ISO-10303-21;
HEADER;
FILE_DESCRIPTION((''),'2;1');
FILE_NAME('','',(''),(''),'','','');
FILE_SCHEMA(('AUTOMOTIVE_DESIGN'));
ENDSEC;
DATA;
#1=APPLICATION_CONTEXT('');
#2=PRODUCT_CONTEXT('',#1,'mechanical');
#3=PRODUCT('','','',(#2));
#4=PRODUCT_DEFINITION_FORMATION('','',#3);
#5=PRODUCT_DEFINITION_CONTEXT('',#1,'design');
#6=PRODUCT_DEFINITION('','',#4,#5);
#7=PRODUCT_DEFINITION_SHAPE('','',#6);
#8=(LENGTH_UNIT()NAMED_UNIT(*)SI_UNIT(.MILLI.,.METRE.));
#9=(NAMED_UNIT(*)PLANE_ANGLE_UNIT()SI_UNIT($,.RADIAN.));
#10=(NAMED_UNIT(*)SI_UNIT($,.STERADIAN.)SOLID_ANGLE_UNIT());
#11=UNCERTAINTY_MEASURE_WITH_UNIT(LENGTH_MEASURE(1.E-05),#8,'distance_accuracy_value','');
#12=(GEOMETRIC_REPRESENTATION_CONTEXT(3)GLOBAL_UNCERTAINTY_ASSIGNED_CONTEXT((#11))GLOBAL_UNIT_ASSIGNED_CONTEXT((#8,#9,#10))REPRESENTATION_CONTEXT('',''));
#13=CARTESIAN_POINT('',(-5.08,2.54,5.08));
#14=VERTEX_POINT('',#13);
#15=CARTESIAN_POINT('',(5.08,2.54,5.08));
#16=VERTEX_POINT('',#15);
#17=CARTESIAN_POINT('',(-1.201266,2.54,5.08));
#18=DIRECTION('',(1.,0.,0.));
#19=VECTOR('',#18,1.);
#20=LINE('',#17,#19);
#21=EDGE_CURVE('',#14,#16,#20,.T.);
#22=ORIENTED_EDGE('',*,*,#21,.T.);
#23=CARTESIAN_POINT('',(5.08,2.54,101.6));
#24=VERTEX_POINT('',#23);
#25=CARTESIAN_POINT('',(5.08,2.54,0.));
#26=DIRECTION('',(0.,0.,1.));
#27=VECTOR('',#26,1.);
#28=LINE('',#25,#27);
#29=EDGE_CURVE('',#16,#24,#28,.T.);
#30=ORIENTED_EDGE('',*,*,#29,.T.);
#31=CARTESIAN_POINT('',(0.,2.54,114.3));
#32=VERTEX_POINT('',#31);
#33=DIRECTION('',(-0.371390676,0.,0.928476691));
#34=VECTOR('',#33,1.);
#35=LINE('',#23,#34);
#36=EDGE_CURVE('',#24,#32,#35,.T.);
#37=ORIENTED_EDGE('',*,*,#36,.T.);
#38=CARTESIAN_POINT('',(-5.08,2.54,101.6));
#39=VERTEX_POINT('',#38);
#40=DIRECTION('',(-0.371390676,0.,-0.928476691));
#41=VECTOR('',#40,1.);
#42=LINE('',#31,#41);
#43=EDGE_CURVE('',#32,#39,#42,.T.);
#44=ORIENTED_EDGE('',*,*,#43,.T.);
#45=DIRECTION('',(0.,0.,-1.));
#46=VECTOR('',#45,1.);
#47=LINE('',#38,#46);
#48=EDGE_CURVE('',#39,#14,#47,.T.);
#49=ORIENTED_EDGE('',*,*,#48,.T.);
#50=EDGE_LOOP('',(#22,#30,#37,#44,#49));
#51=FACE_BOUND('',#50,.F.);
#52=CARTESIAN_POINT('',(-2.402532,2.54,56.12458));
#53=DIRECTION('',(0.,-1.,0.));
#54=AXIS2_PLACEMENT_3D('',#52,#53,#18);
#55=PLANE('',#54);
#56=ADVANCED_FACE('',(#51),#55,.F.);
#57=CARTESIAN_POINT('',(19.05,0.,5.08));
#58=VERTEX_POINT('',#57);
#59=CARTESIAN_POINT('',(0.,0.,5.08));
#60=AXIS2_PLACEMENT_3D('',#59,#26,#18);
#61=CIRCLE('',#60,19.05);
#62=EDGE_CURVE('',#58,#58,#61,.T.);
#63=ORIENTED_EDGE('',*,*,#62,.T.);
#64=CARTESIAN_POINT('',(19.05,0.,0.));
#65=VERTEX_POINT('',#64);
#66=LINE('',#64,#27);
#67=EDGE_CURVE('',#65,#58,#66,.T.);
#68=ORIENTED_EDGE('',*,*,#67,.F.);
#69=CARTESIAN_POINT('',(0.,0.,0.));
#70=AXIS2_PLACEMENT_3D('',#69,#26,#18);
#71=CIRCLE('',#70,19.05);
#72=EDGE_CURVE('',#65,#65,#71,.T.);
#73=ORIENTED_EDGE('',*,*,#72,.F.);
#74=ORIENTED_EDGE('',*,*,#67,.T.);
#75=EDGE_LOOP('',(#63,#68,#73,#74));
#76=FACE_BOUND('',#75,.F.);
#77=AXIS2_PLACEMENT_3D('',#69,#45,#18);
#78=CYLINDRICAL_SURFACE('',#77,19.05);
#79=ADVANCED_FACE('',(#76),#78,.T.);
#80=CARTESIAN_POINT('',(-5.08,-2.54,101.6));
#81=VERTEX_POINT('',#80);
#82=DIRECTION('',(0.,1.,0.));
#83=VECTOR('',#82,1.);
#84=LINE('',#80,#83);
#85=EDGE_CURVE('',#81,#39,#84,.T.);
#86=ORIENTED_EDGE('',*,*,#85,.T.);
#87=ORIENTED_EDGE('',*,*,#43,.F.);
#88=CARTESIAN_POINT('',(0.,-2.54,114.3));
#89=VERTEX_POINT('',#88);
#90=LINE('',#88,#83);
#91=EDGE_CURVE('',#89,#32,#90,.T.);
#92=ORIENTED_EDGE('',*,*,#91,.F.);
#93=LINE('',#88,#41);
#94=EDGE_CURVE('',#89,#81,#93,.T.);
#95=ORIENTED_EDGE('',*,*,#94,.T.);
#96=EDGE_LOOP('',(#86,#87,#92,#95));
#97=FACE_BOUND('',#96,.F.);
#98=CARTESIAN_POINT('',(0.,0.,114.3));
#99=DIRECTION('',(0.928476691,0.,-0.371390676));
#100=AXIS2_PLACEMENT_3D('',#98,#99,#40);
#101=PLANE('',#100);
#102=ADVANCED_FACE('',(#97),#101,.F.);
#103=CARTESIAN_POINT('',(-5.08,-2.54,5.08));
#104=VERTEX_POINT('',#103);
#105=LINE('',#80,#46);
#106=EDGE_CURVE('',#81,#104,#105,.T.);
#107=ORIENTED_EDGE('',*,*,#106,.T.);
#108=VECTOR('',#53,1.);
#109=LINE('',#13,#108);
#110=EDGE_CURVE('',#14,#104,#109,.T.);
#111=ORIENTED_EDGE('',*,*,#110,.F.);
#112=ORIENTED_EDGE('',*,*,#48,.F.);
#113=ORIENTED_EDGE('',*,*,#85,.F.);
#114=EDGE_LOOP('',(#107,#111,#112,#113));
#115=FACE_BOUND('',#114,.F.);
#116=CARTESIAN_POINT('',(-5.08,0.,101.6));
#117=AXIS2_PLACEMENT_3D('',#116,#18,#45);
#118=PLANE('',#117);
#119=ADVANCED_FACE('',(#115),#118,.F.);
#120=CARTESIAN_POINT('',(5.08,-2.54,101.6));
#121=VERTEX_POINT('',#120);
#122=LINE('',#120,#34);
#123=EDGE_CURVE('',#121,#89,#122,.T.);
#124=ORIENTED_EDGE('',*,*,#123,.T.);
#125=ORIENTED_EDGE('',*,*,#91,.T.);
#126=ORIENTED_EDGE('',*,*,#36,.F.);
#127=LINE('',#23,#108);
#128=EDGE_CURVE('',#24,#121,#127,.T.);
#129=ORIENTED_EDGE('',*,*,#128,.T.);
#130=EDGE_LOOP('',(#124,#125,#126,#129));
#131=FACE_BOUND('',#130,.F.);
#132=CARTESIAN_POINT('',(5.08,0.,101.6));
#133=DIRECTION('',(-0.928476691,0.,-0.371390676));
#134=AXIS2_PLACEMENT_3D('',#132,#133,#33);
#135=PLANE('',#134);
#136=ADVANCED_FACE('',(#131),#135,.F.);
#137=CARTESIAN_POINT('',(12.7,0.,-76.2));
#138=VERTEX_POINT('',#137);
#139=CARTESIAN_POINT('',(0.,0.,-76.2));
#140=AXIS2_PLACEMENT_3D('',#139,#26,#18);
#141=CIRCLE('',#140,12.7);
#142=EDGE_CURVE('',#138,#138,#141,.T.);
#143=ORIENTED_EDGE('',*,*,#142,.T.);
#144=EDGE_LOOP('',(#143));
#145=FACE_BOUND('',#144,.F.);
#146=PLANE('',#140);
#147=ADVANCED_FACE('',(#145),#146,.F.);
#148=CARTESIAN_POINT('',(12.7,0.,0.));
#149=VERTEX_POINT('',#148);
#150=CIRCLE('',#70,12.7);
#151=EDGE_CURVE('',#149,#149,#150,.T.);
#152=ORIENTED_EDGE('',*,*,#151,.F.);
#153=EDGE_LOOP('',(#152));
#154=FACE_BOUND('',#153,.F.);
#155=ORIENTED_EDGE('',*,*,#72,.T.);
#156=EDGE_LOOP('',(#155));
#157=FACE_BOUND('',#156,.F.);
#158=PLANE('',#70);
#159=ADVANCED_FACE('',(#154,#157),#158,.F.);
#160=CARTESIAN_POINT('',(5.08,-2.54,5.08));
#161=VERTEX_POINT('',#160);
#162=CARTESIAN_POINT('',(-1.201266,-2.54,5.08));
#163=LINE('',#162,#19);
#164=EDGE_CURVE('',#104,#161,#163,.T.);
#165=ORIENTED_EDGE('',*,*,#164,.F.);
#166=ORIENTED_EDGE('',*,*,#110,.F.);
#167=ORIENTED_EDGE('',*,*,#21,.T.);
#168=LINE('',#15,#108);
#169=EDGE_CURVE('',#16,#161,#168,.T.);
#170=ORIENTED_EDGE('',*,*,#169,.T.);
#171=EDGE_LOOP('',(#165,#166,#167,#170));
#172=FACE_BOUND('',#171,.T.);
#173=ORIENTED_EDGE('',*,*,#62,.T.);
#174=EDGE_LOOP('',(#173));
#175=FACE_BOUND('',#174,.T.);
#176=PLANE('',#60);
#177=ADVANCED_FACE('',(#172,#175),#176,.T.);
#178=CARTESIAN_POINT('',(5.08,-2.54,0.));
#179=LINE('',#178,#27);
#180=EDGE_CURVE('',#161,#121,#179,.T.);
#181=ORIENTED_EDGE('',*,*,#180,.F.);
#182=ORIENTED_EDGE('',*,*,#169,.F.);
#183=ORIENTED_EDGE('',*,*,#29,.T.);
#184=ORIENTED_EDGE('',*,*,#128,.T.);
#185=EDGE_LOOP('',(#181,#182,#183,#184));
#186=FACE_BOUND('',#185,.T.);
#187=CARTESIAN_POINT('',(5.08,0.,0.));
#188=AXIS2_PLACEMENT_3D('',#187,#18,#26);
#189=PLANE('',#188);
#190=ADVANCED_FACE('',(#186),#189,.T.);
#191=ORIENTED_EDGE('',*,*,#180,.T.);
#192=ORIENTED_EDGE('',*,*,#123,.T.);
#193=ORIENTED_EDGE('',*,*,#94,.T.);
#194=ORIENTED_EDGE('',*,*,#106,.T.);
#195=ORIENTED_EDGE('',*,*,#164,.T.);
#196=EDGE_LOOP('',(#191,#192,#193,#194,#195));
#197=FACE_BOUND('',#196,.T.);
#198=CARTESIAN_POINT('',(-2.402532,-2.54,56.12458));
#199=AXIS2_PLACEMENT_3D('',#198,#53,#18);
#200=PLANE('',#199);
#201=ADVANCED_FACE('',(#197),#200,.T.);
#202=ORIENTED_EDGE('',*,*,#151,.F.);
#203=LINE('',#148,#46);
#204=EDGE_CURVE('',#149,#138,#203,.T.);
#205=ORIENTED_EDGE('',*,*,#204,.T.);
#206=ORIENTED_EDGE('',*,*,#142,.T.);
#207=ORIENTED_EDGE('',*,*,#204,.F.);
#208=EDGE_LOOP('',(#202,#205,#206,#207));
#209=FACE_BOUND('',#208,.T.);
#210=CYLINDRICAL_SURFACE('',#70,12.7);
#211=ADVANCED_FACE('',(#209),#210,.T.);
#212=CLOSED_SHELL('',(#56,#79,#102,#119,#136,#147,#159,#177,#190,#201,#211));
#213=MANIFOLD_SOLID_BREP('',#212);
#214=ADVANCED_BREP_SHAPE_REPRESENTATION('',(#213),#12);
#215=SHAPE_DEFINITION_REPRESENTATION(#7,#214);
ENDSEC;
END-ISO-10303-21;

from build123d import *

# Parameters (mm, degrees)
F0_R     = 12.7
F1_DEPTH = 76.2
F2_R     = 19.05
F3_DEPTH = 5.08
F5_DEPTH = 2.54
F7_DEPTH = 2.54


with BuildPart() as f1:
    # F0 (on Top) → F1 (new body)
    with BuildSketch(Plane.XY):
        Circle(F0_R)
    extrude(amount=-F1_DEPTH)

    # F2 (on Top) → F3 (join)
    with BuildSketch(Plane.XY):
        Circle(F2_R)
    extrude(amount=F3_DEPTH)

    # F4 (on Front) → F5 (join)
    with BuildSketch(Plane.XZ):
        Polygon((-5.08, 0), (0, 0), (0, 114.3), (-5.08, 101.6), align=None)
        Polygon((0, 114.3), (0, 0), (5.08, 0), (5.08, 101.6), align=None)
    extrude(amount=-F5_DEPTH)

    # F6 (on Front) → F7 (join)
    with BuildSketch(Plane.XZ):
        Polygon((-5.08, 0), (0, 0), (0, 114.3), (-5.08, 101.6), align=None)
        Polygon((0, 114.3), (0, 0), (5.08, 0), (5.08, 101.6), align=None)
    extrude(amount=F7_DEPTH)


solid = f1.part
